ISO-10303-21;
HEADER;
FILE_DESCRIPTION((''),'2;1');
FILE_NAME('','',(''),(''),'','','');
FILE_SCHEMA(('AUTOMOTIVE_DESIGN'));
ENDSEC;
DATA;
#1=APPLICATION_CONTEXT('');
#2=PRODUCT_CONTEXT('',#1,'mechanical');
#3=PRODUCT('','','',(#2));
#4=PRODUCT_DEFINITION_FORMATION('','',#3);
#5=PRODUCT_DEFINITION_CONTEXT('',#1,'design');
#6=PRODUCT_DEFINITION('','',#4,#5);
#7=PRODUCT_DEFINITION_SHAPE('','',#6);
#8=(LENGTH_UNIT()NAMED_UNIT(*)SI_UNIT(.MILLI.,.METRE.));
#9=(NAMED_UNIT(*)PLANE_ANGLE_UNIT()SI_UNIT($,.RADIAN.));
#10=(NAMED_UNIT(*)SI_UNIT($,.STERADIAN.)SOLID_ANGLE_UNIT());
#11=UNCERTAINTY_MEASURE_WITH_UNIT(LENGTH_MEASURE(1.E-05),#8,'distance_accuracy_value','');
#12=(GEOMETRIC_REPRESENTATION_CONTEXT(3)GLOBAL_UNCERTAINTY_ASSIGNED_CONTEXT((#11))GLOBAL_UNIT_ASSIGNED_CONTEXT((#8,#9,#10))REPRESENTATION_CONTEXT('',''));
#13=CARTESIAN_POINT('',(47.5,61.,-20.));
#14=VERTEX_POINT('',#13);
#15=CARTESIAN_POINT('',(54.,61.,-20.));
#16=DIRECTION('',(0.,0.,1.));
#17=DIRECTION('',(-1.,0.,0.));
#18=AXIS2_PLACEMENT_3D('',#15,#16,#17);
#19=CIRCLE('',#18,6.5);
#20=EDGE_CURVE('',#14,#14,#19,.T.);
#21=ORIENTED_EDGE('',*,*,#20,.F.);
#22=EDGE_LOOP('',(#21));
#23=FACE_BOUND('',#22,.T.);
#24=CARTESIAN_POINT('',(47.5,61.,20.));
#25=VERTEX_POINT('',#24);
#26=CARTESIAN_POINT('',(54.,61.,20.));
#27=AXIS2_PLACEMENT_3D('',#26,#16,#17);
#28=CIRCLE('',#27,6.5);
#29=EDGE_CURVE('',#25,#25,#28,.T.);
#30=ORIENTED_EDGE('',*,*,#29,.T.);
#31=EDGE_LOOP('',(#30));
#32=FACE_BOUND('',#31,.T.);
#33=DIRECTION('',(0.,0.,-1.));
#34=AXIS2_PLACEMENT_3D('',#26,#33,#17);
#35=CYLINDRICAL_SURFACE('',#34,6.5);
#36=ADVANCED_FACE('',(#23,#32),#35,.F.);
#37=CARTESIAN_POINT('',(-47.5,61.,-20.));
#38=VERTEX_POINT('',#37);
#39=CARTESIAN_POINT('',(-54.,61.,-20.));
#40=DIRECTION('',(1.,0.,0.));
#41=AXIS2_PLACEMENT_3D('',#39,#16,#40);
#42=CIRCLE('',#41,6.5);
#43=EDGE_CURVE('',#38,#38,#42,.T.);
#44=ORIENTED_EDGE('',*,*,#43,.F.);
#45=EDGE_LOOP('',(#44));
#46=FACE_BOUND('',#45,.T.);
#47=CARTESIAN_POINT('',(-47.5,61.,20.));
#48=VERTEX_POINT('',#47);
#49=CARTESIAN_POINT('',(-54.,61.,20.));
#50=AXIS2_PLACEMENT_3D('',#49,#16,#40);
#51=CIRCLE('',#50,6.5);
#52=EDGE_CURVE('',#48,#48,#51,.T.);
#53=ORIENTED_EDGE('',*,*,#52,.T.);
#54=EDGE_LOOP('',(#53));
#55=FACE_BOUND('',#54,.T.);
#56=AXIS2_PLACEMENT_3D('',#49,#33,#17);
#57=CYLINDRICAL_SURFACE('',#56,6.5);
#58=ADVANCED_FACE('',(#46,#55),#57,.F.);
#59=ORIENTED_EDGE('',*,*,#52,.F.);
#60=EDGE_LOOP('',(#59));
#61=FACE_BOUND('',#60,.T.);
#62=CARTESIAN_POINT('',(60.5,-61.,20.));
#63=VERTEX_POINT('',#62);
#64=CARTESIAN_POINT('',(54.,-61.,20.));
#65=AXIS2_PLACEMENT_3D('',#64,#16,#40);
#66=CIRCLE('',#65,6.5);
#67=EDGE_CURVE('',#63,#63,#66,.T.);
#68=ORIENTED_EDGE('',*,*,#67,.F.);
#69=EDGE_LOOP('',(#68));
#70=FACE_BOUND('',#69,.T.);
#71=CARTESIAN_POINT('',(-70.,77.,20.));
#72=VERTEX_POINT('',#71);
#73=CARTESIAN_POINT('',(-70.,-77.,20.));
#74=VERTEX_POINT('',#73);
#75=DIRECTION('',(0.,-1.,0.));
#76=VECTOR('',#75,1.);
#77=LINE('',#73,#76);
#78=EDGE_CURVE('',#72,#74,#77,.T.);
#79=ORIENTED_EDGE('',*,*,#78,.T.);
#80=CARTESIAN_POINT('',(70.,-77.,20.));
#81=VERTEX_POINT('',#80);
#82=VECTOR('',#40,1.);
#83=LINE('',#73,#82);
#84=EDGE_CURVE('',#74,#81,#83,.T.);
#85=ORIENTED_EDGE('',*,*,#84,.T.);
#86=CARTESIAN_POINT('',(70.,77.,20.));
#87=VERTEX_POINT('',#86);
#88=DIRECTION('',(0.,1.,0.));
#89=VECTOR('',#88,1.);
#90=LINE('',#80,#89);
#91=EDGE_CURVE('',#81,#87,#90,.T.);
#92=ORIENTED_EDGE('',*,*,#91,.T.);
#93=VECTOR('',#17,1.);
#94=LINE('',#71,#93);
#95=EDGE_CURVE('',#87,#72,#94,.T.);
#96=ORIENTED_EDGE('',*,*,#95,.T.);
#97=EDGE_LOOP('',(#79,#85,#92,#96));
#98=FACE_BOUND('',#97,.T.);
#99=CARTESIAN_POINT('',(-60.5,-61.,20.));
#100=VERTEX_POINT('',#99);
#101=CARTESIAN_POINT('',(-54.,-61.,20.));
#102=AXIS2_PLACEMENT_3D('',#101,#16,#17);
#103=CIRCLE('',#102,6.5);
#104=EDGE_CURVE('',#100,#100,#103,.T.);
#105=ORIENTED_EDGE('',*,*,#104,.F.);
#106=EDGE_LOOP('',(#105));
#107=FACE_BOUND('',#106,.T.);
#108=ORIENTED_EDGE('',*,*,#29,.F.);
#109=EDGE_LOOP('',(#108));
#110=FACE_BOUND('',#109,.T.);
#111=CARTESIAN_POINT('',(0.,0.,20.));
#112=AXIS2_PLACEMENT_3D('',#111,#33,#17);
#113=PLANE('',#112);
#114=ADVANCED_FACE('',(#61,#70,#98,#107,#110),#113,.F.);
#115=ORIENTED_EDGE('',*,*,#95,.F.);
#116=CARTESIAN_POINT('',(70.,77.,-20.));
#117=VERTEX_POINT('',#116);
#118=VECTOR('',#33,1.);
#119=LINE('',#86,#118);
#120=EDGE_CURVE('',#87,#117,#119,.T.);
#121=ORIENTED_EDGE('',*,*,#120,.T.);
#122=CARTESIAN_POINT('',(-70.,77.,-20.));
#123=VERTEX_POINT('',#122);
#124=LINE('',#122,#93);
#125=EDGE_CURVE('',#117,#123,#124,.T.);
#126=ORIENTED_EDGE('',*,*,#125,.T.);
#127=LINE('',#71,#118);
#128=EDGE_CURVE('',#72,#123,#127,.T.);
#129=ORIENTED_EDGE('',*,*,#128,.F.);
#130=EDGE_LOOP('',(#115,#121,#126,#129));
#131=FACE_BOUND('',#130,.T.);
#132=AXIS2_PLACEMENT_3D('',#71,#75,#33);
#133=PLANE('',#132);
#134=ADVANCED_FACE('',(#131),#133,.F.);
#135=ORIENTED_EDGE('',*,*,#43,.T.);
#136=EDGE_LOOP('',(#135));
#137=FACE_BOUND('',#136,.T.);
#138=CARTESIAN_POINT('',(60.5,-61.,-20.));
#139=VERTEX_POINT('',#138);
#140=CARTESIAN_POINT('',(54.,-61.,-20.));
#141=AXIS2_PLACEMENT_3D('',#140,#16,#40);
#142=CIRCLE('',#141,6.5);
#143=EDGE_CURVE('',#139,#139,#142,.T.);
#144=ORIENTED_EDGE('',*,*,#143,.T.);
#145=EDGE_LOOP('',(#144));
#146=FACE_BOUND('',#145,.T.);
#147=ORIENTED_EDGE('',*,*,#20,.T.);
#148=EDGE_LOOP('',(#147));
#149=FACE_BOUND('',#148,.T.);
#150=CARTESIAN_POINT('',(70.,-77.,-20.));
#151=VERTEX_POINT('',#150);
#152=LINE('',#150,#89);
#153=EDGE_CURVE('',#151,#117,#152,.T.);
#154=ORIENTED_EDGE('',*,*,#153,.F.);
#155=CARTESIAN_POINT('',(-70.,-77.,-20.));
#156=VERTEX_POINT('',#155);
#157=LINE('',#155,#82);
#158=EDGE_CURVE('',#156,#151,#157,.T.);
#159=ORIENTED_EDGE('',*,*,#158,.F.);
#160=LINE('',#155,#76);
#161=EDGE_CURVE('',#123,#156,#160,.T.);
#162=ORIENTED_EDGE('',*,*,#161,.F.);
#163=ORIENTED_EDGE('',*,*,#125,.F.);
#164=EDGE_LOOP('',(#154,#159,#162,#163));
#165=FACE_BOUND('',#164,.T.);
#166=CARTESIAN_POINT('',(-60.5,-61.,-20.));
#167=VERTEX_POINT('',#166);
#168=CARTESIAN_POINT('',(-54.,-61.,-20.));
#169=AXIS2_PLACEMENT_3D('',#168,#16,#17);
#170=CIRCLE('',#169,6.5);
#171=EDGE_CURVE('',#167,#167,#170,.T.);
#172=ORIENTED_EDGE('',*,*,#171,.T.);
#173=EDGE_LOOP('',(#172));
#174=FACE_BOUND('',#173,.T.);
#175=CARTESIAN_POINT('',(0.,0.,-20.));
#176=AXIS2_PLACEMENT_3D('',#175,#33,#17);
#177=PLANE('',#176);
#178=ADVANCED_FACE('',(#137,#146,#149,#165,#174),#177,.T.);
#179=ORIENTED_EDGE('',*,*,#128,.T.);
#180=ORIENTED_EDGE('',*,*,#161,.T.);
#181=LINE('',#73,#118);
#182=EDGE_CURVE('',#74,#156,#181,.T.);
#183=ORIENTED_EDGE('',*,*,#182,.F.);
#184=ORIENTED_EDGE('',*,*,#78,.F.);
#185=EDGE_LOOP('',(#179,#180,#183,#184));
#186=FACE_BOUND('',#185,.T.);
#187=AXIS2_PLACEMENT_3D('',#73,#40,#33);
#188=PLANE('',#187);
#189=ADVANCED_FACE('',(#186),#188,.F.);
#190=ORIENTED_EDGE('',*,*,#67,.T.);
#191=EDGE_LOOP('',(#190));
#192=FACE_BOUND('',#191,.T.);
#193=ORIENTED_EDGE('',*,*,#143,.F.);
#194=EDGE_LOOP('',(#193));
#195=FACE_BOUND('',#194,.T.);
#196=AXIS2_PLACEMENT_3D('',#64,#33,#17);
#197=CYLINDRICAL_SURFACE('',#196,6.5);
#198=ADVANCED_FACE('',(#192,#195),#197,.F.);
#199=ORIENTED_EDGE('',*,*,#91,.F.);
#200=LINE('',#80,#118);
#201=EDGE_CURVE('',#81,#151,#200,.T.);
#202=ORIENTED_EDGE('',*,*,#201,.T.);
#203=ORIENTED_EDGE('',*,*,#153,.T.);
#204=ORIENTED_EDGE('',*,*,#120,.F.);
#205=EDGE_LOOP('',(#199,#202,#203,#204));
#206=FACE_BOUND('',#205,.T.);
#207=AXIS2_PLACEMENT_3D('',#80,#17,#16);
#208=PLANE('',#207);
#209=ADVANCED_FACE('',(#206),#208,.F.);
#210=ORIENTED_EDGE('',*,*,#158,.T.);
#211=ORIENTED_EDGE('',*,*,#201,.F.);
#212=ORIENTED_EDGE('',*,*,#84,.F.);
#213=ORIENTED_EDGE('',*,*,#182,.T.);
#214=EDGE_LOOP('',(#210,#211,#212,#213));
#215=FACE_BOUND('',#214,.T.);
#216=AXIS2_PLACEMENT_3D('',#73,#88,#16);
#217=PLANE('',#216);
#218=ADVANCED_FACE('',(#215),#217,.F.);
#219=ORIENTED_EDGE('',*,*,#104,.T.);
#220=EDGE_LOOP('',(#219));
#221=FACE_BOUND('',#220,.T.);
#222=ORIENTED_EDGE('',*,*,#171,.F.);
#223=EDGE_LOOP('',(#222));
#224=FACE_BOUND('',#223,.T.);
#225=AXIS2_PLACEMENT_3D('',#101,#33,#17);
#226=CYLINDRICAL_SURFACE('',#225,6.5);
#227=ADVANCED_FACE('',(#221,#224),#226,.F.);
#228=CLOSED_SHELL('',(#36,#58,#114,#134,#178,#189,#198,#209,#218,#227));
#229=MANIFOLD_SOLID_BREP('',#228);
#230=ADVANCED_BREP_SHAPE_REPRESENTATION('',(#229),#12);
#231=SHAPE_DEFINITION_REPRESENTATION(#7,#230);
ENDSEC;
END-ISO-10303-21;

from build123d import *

# Parameters (mm, degrees)
SKETCH1_W           = 140
SKETCH1_H           = 154
SKETCH1_R           = 6.5
BOSS_EXTRUDE1_DEPTH = 20


with BuildPart() as part:
    # Sketch1 → Boss-Extrude1 (new body, symmetric)
    with BuildSketch(Plane.XY):
        Rectangle(SKETCH1_W, SKETCH1_H)
        with Locations((-54, 61)):
            Circle(SKETCH1_R, mode=Mode.SUBTRACT)
        with Locations((54, 61)):
            Circle(SKETCH1_R, mode=Mode.SUBTRACT)
        with Locations((54, -61)):
            Circle(SKETCH1_R, mode=Mode.SUBTRACT)
        with Locations((-54, -61)):
            Circle(SKETCH1_R, mode=Mode.SUBTRACT)
    extrude(amount=BOSS_EXTRUDE1_DEPTH, both=True)


solid = part.part
